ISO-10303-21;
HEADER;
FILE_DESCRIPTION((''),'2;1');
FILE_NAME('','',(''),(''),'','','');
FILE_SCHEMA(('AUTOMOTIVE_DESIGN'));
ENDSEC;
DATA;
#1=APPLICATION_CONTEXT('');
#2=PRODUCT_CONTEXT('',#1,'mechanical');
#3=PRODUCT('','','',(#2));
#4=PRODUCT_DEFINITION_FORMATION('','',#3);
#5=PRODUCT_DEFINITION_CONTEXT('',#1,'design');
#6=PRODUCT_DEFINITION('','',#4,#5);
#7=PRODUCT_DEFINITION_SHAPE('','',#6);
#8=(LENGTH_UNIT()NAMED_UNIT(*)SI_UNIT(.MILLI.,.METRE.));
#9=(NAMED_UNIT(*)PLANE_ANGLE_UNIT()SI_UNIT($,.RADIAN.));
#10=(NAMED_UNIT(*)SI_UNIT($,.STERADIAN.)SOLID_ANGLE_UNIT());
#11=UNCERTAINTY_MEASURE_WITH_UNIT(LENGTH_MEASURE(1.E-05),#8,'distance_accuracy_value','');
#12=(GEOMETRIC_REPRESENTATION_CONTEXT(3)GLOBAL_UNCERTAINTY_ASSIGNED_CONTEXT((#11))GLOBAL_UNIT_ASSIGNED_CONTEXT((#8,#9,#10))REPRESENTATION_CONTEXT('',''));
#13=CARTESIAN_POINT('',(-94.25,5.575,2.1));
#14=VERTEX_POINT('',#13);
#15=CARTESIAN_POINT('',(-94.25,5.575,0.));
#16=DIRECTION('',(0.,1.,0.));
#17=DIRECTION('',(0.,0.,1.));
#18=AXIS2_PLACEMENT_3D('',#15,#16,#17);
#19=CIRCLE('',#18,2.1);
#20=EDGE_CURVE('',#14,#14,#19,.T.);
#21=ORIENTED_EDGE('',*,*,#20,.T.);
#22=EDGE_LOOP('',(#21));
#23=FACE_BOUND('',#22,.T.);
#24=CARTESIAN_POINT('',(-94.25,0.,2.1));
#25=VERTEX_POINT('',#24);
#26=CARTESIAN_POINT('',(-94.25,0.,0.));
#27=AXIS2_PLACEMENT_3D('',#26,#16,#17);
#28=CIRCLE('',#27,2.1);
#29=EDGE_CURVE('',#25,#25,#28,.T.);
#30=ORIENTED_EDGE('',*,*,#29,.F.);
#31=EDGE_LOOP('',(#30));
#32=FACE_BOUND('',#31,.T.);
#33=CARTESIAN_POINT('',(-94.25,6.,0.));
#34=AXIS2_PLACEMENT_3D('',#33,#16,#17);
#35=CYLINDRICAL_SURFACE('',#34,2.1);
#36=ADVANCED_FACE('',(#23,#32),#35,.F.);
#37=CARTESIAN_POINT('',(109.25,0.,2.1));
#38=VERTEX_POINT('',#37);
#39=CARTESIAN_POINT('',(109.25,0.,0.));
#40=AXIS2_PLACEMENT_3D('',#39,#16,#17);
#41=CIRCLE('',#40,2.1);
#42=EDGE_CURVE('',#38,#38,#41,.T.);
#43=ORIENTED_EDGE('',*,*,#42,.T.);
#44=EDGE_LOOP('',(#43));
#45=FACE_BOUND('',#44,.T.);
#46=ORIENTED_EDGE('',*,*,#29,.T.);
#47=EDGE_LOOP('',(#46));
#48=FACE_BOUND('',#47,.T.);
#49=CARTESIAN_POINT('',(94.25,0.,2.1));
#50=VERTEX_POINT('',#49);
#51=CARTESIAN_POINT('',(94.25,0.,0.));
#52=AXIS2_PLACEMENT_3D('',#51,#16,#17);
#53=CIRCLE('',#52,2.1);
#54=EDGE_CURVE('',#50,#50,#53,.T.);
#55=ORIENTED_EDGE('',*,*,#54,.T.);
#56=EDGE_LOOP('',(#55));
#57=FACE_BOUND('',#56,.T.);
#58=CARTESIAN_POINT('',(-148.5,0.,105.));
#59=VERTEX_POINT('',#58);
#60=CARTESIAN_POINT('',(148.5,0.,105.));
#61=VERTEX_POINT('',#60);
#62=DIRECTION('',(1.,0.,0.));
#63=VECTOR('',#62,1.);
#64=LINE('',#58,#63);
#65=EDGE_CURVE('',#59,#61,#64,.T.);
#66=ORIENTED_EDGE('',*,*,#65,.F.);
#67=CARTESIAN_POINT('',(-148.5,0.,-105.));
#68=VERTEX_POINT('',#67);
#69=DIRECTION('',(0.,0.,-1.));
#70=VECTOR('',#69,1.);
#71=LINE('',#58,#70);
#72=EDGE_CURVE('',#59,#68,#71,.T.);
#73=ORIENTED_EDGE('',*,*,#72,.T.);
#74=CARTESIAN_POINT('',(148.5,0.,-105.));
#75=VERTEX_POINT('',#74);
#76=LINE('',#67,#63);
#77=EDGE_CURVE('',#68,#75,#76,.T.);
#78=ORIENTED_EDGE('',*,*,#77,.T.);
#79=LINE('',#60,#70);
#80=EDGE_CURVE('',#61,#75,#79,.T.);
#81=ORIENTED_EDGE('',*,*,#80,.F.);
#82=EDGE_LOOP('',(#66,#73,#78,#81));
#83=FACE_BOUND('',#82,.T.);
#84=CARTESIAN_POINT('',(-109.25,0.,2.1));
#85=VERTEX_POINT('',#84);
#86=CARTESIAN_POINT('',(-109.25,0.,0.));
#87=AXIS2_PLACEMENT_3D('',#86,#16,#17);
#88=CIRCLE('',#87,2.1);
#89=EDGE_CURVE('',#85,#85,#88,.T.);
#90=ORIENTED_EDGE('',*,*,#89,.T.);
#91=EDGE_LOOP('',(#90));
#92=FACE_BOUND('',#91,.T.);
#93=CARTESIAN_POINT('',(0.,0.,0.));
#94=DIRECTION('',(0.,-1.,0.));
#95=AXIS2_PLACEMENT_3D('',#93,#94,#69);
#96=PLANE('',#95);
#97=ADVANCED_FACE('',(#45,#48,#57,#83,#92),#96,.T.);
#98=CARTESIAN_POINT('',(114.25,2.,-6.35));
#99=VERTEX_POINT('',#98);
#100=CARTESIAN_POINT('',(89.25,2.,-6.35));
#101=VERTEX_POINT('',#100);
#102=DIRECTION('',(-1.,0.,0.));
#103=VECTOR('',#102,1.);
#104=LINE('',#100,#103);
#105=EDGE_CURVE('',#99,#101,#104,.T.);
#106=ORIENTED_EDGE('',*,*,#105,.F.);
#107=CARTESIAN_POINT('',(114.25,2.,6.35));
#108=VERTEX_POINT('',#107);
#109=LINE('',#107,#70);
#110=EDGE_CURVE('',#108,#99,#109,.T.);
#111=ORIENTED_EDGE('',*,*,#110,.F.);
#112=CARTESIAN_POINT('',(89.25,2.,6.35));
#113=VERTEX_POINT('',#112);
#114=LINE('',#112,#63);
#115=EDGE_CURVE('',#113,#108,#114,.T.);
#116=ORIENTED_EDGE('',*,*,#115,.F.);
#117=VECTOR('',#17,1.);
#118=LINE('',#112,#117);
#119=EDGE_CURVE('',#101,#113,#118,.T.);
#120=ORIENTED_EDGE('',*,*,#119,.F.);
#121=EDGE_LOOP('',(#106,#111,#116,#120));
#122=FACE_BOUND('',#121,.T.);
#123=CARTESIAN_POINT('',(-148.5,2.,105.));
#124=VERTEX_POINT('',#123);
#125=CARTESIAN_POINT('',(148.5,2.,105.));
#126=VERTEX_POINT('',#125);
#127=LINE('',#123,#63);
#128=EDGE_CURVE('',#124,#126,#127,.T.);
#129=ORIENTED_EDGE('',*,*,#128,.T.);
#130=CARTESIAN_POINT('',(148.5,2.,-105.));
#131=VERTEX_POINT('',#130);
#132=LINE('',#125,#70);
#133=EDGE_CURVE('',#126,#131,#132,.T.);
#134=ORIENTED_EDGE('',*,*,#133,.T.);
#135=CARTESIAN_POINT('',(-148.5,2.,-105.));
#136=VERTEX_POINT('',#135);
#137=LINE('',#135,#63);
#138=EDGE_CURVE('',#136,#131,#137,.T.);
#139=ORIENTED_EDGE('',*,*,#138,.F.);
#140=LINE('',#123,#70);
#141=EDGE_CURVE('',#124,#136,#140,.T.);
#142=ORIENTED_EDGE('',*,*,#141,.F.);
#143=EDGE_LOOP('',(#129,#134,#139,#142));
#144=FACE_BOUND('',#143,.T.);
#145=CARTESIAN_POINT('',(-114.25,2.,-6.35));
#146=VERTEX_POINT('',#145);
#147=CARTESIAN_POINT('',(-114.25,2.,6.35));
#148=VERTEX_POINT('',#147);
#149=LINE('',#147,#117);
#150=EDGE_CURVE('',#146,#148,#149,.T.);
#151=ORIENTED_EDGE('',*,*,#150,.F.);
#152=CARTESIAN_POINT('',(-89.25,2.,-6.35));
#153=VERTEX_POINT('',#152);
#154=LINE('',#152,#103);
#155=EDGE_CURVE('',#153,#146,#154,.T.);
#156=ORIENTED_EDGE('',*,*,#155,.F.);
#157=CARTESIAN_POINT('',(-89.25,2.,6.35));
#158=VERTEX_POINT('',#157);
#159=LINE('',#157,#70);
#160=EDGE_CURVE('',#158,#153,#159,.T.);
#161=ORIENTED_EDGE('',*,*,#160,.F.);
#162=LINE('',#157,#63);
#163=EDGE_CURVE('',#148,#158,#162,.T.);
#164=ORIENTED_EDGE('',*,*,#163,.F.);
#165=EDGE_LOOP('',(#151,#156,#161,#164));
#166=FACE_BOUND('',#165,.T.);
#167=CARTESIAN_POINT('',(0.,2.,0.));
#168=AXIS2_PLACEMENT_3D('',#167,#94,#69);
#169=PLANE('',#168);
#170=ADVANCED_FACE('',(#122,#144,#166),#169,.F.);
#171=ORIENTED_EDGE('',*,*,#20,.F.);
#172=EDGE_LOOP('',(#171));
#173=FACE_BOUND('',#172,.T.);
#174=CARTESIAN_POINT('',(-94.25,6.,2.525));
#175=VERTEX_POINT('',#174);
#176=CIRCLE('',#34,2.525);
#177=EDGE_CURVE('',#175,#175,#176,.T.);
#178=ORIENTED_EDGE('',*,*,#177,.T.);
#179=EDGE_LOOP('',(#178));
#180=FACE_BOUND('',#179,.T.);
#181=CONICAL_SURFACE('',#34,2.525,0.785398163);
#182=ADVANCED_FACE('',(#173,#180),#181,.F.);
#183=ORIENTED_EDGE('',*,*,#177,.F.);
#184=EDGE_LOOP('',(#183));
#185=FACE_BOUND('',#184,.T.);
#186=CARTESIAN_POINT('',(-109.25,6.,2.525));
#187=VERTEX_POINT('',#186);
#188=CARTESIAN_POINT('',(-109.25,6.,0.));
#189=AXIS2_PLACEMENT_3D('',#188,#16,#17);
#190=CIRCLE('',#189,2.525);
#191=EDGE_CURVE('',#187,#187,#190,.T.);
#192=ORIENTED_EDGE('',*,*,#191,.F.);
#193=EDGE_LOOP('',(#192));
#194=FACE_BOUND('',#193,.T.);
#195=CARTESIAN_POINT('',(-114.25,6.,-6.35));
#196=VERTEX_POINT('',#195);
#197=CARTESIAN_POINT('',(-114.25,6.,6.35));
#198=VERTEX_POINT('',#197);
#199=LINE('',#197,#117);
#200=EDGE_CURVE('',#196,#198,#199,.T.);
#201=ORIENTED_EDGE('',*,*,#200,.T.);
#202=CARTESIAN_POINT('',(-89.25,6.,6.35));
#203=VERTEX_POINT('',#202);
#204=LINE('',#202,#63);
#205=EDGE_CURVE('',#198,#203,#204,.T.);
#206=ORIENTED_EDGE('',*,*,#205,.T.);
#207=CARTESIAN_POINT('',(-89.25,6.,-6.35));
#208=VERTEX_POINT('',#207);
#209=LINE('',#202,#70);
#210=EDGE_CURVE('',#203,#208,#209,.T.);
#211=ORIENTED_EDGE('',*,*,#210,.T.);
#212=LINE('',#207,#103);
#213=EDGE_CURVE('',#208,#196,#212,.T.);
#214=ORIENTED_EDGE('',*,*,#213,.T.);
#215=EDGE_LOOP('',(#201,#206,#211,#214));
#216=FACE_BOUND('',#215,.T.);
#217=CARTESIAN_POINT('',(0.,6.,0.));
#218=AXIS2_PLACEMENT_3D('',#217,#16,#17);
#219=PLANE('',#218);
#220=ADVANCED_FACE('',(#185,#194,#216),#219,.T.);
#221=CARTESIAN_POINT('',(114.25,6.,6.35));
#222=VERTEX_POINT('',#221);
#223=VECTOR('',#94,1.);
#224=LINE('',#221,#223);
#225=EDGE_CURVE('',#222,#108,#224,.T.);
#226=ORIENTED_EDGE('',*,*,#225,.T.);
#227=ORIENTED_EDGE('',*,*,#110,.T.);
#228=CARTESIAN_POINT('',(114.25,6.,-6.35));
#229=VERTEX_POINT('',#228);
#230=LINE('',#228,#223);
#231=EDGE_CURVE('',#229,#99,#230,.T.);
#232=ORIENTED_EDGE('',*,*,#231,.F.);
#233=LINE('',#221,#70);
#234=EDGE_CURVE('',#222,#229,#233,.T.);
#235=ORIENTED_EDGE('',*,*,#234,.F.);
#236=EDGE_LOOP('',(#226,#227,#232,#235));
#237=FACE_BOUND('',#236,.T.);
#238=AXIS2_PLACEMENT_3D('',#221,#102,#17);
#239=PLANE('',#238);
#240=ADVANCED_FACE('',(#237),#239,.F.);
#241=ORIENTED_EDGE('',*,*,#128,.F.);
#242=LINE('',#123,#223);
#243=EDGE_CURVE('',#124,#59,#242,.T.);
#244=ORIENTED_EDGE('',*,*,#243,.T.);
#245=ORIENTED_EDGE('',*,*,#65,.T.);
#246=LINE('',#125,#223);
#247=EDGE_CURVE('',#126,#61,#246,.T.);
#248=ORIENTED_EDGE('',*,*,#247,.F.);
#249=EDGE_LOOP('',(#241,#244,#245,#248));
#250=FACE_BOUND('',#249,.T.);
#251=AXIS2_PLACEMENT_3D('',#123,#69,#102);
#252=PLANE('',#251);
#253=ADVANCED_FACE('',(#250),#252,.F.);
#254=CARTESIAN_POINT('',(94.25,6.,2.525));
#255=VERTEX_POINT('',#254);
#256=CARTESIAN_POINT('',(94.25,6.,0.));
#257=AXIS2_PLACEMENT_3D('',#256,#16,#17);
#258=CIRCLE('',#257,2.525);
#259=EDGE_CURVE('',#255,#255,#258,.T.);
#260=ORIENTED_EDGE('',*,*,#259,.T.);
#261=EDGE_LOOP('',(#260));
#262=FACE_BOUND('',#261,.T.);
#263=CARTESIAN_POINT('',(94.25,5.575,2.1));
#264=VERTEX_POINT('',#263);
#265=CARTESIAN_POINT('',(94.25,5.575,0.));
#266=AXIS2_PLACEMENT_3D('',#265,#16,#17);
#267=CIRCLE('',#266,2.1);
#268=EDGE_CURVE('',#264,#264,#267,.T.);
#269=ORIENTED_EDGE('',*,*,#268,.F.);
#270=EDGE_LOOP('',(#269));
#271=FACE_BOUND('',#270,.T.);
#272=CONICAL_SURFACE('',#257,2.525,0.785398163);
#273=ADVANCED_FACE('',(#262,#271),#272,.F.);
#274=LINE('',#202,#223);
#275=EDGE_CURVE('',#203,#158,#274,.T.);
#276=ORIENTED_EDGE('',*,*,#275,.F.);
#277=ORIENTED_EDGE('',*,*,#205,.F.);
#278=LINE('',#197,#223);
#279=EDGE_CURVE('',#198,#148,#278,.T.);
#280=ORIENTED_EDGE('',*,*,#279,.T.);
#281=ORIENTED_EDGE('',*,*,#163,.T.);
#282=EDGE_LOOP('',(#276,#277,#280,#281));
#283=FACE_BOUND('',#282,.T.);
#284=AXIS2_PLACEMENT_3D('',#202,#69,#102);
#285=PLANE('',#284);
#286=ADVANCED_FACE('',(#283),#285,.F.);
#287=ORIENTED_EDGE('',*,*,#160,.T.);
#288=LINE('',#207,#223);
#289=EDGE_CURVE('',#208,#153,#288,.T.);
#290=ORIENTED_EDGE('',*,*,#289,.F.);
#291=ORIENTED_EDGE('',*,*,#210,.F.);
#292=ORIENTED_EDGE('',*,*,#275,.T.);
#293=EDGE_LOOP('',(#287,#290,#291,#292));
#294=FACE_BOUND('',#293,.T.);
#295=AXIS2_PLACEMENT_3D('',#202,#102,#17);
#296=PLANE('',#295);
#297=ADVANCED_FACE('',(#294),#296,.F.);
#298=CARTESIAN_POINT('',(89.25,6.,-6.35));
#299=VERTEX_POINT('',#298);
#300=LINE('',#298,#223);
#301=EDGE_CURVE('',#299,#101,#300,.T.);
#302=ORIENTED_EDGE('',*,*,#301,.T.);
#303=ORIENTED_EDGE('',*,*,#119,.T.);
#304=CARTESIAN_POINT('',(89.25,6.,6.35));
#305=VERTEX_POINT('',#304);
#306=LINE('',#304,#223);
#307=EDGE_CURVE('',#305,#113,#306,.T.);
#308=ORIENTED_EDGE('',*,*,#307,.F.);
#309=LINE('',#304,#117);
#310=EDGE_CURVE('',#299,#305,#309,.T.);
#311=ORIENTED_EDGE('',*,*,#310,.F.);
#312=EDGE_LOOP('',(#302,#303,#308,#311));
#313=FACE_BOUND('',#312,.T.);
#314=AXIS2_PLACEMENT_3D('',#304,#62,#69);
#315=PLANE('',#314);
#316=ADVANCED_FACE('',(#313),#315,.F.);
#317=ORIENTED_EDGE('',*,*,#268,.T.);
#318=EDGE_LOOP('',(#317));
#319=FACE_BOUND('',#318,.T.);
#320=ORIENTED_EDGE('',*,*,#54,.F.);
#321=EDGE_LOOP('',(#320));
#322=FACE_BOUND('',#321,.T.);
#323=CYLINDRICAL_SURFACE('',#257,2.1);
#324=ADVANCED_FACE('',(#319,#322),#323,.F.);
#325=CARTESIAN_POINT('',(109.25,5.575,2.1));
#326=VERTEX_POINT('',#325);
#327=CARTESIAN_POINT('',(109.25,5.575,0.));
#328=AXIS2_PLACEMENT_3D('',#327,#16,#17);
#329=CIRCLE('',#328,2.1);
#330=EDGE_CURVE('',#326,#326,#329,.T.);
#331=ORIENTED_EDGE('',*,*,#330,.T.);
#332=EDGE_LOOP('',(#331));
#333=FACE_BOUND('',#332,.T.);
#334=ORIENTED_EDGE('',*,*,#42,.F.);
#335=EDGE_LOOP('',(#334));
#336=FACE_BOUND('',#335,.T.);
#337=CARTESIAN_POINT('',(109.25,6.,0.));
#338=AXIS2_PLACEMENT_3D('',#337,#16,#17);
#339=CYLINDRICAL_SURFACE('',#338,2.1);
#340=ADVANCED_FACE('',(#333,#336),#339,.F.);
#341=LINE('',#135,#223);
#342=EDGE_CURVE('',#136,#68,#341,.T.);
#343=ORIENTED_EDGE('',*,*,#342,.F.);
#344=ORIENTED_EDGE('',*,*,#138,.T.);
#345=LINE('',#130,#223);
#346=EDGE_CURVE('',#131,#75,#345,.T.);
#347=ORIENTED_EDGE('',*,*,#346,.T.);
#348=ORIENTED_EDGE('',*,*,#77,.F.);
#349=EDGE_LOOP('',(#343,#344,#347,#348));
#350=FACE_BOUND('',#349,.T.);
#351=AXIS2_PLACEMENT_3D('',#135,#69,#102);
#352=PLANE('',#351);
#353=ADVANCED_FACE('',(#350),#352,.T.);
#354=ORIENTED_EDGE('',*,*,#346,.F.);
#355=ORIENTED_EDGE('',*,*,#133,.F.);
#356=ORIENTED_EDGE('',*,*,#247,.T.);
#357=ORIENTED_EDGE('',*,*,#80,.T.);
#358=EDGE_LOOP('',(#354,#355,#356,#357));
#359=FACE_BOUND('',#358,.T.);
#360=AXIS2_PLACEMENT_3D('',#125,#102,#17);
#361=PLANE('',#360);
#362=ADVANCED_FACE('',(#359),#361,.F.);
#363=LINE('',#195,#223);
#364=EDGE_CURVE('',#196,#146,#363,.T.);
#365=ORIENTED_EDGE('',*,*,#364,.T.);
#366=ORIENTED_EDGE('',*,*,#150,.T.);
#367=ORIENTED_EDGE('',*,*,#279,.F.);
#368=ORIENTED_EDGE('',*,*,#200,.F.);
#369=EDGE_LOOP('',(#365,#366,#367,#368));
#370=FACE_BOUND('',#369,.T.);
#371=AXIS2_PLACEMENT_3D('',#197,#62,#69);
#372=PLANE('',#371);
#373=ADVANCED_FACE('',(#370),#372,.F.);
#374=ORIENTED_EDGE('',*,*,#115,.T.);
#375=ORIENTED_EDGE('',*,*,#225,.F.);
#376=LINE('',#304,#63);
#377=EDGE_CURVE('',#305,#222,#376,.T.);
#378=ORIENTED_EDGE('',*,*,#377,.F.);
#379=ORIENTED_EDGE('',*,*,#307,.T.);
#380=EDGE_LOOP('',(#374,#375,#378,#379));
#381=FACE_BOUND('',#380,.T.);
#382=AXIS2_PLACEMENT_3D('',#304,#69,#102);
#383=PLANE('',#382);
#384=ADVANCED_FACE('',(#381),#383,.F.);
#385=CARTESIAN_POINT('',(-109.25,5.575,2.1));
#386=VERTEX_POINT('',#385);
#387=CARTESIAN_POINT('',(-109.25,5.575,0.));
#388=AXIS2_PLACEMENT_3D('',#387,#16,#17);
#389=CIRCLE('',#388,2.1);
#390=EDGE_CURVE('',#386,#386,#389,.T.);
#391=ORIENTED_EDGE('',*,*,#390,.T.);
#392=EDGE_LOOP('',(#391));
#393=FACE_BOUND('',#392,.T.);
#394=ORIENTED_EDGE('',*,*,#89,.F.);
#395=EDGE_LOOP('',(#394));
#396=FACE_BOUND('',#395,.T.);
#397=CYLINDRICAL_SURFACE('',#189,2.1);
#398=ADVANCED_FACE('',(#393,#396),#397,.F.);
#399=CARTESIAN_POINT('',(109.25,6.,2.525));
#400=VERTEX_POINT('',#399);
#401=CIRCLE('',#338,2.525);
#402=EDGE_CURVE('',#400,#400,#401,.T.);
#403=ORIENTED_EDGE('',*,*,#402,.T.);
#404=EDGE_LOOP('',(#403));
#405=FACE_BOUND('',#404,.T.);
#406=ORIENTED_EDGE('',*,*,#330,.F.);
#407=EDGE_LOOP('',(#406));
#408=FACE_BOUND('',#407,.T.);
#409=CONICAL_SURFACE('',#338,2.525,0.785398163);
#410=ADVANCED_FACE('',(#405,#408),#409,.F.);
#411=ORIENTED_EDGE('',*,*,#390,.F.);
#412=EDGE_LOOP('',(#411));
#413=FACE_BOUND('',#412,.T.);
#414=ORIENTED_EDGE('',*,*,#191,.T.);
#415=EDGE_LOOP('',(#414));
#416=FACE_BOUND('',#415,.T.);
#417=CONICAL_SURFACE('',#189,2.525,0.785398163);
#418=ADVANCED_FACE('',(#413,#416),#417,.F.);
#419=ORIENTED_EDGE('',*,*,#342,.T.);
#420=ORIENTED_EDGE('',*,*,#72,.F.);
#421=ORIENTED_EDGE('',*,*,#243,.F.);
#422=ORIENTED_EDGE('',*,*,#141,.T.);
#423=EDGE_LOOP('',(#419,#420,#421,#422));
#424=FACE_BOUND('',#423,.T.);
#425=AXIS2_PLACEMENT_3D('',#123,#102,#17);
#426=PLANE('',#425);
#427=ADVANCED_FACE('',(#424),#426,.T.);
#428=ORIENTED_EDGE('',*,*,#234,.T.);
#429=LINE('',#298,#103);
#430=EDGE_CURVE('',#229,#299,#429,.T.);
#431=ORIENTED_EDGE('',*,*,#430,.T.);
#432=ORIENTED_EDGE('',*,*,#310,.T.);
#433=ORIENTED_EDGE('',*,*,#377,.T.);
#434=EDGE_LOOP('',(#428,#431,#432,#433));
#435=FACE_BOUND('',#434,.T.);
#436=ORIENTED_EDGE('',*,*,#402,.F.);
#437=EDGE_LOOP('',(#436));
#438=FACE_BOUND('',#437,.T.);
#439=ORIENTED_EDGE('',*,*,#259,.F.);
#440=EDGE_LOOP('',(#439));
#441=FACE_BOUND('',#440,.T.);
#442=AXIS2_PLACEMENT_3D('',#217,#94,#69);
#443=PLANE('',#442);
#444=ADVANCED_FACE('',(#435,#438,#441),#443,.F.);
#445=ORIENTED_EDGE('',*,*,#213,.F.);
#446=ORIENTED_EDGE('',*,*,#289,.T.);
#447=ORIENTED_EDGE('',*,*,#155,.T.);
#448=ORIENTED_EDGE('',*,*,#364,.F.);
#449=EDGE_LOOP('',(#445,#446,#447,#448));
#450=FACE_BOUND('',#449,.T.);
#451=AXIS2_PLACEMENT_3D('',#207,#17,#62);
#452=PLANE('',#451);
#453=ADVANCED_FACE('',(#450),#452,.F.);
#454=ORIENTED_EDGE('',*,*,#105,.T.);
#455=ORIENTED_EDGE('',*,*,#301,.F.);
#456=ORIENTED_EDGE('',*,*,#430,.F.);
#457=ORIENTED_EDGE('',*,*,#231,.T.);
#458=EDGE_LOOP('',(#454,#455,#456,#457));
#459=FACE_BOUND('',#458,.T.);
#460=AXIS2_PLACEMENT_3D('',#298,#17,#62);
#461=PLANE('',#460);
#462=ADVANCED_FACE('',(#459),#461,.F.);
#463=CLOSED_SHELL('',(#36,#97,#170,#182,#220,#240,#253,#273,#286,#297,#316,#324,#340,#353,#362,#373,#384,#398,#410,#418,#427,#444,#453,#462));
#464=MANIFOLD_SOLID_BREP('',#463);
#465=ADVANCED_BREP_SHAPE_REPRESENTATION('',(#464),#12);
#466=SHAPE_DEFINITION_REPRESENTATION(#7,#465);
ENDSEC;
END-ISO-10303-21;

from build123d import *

# Parameters (mm, degrees)
SKETCH1_W                   = 297
SKETCH1_H                   = 210
BOSS_EXTRUDE1_DEPTH         = 2
SKETCH4_W                   = 25
SKETCH4_H                   = 12.7
BOSS_EXTRUDE2_DEPTH         = 4
M5_TAPPED_HOLE1_D           = 4.2
M5_TAPPED_HOLE1_CSINK_D     = 5.05
M5_TAPPED_HOLE1_CSINK_ANGLE = 90


with BuildPart() as part:
    # Sketch1 → Boss-Extrude1 (new body)
    with BuildSketch(Plane(origin=(0, 0, 0), x_dir=(1, 0, 0), z_dir=(0, 1, 0))):
        Rectangle(SKETCH1_W, SKETCH1_H)
    extrude(amount=BOSS_EXTRUDE1_DEPTH)

    # Sketch4 → Boss-Extrude2 (add)
    with BuildSketch(Plane(origin=(0, 2, 0), x_dir=(1, 0, 0), z_dir=(0, 1, 0))):
        with Locations((101.75, 0)):
            Rectangle(SKETCH4_W, SKETCH4_H)
        with Locations((-101.75, 0)):
            Rectangle(SKETCH4_W, SKETCH4_H)
    extrude(amount=BOSS_EXTRUDE2_DEPTH)

    # M5 Tapped Hole1 (through all)
    with Locations(Plane(origin=(0, 6, 0), x_dir=(1, 0, 0), z_dir=(0, 1, 0))):
        with Locations((-109.25, 0), (109.25, 0), (94.25, 0), (-94.25, 0)):
            CounterSinkHole(M5_TAPPED_HOLE1_D / 2, M5_TAPPED_HOLE1_CSINK_D / 2, counter_sink_angle=M5_TAPPED_HOLE1_CSINK_ANGLE)


solid = part.part
